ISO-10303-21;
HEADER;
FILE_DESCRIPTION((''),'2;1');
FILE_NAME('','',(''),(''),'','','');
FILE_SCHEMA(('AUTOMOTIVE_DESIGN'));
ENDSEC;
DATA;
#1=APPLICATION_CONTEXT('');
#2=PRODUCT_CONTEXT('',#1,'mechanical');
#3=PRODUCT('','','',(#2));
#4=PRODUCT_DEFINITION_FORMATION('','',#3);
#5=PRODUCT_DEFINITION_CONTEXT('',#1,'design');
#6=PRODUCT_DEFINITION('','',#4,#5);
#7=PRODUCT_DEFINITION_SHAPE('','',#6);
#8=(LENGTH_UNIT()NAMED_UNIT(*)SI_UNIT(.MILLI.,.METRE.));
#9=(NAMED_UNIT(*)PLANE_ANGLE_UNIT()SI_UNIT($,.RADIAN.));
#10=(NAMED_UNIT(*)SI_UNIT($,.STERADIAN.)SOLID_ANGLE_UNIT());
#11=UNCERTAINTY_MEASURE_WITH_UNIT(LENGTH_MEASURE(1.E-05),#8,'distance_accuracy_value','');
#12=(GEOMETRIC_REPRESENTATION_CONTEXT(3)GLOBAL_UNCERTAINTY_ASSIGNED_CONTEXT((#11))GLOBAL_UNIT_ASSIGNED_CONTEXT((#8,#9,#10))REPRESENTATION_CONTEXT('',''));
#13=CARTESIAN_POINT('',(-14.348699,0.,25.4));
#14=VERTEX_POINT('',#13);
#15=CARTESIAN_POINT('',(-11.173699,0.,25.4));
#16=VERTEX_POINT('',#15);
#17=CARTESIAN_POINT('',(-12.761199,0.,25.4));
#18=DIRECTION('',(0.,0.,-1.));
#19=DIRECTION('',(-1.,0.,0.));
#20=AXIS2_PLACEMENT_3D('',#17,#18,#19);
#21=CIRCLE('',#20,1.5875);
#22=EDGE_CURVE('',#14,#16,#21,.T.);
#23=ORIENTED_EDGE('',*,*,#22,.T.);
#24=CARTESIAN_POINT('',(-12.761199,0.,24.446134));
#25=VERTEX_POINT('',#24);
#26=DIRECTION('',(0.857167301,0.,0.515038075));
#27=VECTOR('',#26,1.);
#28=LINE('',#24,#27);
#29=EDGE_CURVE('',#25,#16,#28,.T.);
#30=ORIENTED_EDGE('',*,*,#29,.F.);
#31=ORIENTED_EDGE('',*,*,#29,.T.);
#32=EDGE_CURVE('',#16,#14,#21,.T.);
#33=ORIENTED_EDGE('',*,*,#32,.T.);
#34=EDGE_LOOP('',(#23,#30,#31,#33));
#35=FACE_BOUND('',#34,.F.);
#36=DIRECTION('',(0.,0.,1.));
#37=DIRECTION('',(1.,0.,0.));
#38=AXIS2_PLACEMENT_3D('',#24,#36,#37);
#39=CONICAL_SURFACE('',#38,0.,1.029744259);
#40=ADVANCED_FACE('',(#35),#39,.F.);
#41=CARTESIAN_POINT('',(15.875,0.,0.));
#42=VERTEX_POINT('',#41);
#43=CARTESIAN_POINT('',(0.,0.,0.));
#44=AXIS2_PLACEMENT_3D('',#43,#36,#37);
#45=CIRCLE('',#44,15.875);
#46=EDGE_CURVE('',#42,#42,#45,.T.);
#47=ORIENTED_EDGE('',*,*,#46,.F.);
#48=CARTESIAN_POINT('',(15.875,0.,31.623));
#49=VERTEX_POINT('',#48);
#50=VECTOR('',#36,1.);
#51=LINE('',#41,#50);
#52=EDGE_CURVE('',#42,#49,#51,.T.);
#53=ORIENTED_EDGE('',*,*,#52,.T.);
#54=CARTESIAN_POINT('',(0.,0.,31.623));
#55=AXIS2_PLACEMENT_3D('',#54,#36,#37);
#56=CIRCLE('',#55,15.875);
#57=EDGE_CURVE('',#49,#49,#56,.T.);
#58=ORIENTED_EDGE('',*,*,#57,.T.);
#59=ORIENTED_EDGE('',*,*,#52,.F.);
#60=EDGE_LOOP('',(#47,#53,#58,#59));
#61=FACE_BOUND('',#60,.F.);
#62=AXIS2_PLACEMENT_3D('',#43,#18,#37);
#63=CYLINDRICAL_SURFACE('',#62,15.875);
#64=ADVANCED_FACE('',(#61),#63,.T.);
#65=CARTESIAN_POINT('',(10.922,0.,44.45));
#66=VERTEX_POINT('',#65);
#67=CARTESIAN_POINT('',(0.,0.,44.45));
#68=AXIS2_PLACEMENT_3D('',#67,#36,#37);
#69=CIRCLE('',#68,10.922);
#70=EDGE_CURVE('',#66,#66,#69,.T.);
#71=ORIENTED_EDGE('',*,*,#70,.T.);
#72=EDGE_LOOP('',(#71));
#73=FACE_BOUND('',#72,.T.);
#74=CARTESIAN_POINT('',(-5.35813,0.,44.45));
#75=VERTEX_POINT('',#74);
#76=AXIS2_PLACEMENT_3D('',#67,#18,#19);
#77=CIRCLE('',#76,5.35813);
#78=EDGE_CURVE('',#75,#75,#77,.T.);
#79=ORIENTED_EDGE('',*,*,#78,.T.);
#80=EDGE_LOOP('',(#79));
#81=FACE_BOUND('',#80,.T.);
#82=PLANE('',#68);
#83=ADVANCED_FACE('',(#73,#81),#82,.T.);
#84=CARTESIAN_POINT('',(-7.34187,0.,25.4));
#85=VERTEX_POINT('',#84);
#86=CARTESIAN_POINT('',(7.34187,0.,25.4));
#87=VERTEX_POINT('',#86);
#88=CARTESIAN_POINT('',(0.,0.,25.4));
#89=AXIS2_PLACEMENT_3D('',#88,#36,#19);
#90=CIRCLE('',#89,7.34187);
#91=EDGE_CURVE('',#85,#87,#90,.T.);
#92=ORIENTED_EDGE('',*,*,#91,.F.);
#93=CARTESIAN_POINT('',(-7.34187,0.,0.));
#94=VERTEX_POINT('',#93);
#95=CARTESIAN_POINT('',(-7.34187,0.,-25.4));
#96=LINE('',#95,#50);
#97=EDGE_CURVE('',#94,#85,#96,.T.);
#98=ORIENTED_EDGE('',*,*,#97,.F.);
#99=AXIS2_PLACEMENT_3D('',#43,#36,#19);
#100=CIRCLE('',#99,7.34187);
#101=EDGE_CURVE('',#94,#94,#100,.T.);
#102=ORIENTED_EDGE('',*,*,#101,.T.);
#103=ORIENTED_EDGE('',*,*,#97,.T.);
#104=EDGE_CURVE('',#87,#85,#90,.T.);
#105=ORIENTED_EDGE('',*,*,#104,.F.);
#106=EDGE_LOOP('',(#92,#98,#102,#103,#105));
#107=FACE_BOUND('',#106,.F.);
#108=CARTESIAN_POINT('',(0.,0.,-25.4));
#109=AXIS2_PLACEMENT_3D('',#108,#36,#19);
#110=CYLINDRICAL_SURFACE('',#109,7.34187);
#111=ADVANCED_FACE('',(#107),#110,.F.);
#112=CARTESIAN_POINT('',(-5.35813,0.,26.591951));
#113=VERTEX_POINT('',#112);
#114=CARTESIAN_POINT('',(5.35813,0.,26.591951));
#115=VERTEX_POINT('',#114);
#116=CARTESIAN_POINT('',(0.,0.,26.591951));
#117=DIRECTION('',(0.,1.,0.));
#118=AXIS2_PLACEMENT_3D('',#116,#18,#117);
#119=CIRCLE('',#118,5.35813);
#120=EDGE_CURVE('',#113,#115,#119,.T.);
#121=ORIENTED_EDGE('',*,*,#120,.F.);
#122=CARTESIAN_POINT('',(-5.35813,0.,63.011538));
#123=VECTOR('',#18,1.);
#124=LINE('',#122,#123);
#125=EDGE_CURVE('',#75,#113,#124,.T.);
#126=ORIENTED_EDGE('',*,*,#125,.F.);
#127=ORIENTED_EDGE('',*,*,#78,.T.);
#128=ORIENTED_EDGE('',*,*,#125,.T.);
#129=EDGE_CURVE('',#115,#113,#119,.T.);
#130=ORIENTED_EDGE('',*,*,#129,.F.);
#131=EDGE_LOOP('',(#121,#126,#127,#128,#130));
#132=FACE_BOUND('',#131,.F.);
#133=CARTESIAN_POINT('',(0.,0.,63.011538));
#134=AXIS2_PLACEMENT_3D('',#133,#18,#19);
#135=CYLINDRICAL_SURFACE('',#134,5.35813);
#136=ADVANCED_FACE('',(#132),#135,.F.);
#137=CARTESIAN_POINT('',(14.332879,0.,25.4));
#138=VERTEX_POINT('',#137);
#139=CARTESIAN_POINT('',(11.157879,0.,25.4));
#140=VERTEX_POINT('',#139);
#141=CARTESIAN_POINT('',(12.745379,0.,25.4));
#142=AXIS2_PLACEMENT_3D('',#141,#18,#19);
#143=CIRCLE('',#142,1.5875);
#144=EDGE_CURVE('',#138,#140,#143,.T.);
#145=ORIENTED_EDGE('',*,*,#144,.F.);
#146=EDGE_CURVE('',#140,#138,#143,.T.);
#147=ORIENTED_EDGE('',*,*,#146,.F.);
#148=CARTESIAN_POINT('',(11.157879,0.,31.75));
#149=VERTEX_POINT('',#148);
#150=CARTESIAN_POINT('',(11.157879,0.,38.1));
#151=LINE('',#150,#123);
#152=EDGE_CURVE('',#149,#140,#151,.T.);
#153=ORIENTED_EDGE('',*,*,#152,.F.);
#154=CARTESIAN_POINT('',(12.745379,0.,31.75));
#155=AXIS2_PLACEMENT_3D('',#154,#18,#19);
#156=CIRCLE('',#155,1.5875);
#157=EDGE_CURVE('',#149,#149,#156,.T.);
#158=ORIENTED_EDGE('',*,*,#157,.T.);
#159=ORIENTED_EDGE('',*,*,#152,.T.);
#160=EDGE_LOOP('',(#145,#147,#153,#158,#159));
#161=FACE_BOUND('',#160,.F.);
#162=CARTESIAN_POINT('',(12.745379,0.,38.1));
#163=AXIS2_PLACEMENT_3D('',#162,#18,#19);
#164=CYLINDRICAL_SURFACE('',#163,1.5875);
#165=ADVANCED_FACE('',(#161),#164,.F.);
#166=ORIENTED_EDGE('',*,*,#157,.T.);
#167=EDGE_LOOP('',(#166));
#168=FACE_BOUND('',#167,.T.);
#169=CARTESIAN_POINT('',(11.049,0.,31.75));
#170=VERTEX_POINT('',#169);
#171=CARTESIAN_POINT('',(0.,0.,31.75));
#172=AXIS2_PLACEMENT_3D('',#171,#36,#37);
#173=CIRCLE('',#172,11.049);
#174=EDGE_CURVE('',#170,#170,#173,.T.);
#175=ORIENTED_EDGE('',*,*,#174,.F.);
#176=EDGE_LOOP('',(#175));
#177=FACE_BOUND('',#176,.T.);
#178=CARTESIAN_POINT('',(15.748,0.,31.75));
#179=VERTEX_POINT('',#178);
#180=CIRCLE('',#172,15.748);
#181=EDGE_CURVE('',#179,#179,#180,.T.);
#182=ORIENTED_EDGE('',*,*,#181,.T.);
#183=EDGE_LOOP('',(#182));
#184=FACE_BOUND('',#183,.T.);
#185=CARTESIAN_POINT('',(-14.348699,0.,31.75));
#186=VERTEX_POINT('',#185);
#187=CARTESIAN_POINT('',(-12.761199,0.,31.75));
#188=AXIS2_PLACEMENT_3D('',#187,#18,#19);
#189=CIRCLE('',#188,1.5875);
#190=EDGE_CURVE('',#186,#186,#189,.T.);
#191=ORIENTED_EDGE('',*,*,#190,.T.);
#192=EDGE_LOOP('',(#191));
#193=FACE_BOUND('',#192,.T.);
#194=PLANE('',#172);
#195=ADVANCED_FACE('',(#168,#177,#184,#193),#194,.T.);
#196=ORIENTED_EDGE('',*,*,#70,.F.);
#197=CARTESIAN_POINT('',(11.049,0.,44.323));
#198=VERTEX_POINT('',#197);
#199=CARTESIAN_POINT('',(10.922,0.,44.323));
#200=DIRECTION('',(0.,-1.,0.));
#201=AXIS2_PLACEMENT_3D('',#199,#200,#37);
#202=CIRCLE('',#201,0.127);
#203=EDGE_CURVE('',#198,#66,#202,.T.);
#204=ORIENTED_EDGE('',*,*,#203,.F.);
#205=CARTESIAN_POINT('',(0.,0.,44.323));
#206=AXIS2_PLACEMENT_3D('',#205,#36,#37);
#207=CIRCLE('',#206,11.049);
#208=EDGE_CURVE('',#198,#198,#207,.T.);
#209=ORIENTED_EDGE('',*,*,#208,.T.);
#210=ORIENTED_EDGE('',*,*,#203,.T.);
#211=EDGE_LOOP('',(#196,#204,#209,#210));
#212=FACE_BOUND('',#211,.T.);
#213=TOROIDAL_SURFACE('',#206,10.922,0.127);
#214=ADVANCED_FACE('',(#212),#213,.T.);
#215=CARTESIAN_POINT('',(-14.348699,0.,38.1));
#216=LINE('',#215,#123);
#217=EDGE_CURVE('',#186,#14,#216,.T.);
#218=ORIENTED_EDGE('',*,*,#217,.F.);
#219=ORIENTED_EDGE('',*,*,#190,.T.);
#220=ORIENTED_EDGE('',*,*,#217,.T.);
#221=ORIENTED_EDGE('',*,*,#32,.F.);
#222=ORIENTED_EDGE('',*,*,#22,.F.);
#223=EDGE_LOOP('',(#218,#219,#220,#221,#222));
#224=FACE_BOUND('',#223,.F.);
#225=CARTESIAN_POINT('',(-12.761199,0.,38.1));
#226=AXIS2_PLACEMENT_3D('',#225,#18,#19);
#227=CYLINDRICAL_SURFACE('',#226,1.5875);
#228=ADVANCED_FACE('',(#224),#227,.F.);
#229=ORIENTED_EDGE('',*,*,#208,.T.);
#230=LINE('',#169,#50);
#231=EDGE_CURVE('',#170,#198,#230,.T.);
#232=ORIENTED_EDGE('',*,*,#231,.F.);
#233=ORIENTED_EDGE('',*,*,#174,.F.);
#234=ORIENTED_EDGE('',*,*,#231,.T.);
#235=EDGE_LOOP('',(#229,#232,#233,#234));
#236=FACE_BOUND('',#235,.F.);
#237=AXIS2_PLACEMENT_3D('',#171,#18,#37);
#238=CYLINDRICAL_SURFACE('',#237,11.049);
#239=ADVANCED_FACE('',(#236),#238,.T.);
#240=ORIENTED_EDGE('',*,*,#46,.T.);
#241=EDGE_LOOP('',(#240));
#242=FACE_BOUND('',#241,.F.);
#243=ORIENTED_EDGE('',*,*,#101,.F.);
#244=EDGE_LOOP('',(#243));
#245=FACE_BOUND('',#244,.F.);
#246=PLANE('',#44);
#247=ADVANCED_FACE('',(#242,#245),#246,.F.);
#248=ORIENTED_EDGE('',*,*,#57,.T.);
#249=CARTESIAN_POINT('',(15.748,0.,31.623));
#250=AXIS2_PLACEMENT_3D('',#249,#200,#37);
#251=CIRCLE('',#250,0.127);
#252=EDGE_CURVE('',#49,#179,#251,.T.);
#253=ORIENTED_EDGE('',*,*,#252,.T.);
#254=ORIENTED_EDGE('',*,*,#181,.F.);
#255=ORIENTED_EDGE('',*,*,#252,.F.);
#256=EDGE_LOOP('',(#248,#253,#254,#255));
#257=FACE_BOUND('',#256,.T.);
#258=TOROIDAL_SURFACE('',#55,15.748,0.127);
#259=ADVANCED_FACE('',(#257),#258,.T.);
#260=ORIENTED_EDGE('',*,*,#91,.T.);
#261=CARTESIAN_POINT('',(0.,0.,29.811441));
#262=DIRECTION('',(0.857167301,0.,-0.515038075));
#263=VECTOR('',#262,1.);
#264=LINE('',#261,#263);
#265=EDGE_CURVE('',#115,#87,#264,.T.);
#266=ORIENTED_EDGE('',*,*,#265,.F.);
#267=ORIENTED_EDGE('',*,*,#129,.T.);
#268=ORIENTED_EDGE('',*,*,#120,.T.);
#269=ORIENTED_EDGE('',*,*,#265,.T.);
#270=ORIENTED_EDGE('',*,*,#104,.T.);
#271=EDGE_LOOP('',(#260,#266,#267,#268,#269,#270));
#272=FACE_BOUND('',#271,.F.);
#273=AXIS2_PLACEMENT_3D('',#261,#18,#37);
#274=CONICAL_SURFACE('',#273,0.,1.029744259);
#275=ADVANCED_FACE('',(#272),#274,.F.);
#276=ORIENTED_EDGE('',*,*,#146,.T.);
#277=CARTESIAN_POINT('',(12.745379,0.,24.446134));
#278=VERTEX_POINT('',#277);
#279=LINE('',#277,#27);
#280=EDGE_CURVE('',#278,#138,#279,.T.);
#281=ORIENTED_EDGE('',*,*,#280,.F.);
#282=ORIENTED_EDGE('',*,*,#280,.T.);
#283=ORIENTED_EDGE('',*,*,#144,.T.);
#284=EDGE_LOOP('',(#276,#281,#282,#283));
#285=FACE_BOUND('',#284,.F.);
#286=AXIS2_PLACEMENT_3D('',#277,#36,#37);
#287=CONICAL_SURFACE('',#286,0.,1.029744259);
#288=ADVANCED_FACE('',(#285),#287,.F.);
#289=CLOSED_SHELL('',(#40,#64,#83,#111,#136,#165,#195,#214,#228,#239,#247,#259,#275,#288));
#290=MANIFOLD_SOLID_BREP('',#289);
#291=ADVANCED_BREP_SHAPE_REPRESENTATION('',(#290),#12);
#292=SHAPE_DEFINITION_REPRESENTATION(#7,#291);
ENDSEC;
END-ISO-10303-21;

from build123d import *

# Parameters (mm, degrees)
F0_R      = 15.875
F1_DEPTH  = 31.75
F2_R      = 11.049
F3_DEPTH  = 12.7
F5_D      = 10.71626
F5_DEPTH  = 18.5615384615
F5_TIP    = 3.2194893086
F7_D      = 3.175
F7_DEPTH  = 6.35
F7_TIP    = 0.9538662327
F8_R      = 0.127
F10_D     = 14.68374
F10_DEPTH = 25.4
F10_TIP   = 4.411440553


with BuildPart() as f1:
    # F0 (on Top) → F1 (new body)
    with BuildSketch(Plane.XY):
        Circle(F0_R)
    extrude(amount=F1_DEPTH)

    # F2 (on face) → F3 (join)
    with BuildSketch(Plane.XY.offset(31.75)):
        Circle(F2_R)
    extrude(amount=F3_DEPTH)

    # F5
    with Locations(Plane.XY.offset(44.45)):
        with Locations((0, 0)):
            Hole(F5_D / 2, depth=F5_DEPTH)
            with Locations((0, 0, -(F5_DEPTH + F5_TIP / 2))):  # 118° drill point
                Cone(0, F5_D / 2, F5_TIP, mode=Mode.SUBTRACT)

    # F7
    with Locations(Plane.XY.offset(31.75)):
        with Locations((-12.7611987248, 0), (12.7453794703, 0)):
            Hole(F7_D / 2, depth=F7_DEPTH)
            with Locations((0, 0, -(F7_DEPTH + F7_TIP / 2))):  # 118° drill point
                Cone(0, F7_D / 2, F7_TIP, mode=Mode.SUBTRACT)

    # F8
    f8_edges = [f1.edges().sort_by_distance(p)[0] for p in [
        (-11.049, 0, 44.45),
        (-15.875, 0, 31.75),
    ]]
    fillet(f8_edges, radius=F8_R)

    # F10
    with Locations(Plane(origin=(0, 0, 0), x_dir=(1, 0, 0), z_dir=(0, 0, -1))):
        with Locations((0, 0)):
            Hole(F10_D / 2, depth=F10_DEPTH)
            with Locations((0, 0, -(F10_DEPTH + F10_TIP / 2))):  # 118° drill point
                Cone(0, F10_D / 2, F10_TIP, mode=Mode.SUBTRACT)


solid = f1.part
